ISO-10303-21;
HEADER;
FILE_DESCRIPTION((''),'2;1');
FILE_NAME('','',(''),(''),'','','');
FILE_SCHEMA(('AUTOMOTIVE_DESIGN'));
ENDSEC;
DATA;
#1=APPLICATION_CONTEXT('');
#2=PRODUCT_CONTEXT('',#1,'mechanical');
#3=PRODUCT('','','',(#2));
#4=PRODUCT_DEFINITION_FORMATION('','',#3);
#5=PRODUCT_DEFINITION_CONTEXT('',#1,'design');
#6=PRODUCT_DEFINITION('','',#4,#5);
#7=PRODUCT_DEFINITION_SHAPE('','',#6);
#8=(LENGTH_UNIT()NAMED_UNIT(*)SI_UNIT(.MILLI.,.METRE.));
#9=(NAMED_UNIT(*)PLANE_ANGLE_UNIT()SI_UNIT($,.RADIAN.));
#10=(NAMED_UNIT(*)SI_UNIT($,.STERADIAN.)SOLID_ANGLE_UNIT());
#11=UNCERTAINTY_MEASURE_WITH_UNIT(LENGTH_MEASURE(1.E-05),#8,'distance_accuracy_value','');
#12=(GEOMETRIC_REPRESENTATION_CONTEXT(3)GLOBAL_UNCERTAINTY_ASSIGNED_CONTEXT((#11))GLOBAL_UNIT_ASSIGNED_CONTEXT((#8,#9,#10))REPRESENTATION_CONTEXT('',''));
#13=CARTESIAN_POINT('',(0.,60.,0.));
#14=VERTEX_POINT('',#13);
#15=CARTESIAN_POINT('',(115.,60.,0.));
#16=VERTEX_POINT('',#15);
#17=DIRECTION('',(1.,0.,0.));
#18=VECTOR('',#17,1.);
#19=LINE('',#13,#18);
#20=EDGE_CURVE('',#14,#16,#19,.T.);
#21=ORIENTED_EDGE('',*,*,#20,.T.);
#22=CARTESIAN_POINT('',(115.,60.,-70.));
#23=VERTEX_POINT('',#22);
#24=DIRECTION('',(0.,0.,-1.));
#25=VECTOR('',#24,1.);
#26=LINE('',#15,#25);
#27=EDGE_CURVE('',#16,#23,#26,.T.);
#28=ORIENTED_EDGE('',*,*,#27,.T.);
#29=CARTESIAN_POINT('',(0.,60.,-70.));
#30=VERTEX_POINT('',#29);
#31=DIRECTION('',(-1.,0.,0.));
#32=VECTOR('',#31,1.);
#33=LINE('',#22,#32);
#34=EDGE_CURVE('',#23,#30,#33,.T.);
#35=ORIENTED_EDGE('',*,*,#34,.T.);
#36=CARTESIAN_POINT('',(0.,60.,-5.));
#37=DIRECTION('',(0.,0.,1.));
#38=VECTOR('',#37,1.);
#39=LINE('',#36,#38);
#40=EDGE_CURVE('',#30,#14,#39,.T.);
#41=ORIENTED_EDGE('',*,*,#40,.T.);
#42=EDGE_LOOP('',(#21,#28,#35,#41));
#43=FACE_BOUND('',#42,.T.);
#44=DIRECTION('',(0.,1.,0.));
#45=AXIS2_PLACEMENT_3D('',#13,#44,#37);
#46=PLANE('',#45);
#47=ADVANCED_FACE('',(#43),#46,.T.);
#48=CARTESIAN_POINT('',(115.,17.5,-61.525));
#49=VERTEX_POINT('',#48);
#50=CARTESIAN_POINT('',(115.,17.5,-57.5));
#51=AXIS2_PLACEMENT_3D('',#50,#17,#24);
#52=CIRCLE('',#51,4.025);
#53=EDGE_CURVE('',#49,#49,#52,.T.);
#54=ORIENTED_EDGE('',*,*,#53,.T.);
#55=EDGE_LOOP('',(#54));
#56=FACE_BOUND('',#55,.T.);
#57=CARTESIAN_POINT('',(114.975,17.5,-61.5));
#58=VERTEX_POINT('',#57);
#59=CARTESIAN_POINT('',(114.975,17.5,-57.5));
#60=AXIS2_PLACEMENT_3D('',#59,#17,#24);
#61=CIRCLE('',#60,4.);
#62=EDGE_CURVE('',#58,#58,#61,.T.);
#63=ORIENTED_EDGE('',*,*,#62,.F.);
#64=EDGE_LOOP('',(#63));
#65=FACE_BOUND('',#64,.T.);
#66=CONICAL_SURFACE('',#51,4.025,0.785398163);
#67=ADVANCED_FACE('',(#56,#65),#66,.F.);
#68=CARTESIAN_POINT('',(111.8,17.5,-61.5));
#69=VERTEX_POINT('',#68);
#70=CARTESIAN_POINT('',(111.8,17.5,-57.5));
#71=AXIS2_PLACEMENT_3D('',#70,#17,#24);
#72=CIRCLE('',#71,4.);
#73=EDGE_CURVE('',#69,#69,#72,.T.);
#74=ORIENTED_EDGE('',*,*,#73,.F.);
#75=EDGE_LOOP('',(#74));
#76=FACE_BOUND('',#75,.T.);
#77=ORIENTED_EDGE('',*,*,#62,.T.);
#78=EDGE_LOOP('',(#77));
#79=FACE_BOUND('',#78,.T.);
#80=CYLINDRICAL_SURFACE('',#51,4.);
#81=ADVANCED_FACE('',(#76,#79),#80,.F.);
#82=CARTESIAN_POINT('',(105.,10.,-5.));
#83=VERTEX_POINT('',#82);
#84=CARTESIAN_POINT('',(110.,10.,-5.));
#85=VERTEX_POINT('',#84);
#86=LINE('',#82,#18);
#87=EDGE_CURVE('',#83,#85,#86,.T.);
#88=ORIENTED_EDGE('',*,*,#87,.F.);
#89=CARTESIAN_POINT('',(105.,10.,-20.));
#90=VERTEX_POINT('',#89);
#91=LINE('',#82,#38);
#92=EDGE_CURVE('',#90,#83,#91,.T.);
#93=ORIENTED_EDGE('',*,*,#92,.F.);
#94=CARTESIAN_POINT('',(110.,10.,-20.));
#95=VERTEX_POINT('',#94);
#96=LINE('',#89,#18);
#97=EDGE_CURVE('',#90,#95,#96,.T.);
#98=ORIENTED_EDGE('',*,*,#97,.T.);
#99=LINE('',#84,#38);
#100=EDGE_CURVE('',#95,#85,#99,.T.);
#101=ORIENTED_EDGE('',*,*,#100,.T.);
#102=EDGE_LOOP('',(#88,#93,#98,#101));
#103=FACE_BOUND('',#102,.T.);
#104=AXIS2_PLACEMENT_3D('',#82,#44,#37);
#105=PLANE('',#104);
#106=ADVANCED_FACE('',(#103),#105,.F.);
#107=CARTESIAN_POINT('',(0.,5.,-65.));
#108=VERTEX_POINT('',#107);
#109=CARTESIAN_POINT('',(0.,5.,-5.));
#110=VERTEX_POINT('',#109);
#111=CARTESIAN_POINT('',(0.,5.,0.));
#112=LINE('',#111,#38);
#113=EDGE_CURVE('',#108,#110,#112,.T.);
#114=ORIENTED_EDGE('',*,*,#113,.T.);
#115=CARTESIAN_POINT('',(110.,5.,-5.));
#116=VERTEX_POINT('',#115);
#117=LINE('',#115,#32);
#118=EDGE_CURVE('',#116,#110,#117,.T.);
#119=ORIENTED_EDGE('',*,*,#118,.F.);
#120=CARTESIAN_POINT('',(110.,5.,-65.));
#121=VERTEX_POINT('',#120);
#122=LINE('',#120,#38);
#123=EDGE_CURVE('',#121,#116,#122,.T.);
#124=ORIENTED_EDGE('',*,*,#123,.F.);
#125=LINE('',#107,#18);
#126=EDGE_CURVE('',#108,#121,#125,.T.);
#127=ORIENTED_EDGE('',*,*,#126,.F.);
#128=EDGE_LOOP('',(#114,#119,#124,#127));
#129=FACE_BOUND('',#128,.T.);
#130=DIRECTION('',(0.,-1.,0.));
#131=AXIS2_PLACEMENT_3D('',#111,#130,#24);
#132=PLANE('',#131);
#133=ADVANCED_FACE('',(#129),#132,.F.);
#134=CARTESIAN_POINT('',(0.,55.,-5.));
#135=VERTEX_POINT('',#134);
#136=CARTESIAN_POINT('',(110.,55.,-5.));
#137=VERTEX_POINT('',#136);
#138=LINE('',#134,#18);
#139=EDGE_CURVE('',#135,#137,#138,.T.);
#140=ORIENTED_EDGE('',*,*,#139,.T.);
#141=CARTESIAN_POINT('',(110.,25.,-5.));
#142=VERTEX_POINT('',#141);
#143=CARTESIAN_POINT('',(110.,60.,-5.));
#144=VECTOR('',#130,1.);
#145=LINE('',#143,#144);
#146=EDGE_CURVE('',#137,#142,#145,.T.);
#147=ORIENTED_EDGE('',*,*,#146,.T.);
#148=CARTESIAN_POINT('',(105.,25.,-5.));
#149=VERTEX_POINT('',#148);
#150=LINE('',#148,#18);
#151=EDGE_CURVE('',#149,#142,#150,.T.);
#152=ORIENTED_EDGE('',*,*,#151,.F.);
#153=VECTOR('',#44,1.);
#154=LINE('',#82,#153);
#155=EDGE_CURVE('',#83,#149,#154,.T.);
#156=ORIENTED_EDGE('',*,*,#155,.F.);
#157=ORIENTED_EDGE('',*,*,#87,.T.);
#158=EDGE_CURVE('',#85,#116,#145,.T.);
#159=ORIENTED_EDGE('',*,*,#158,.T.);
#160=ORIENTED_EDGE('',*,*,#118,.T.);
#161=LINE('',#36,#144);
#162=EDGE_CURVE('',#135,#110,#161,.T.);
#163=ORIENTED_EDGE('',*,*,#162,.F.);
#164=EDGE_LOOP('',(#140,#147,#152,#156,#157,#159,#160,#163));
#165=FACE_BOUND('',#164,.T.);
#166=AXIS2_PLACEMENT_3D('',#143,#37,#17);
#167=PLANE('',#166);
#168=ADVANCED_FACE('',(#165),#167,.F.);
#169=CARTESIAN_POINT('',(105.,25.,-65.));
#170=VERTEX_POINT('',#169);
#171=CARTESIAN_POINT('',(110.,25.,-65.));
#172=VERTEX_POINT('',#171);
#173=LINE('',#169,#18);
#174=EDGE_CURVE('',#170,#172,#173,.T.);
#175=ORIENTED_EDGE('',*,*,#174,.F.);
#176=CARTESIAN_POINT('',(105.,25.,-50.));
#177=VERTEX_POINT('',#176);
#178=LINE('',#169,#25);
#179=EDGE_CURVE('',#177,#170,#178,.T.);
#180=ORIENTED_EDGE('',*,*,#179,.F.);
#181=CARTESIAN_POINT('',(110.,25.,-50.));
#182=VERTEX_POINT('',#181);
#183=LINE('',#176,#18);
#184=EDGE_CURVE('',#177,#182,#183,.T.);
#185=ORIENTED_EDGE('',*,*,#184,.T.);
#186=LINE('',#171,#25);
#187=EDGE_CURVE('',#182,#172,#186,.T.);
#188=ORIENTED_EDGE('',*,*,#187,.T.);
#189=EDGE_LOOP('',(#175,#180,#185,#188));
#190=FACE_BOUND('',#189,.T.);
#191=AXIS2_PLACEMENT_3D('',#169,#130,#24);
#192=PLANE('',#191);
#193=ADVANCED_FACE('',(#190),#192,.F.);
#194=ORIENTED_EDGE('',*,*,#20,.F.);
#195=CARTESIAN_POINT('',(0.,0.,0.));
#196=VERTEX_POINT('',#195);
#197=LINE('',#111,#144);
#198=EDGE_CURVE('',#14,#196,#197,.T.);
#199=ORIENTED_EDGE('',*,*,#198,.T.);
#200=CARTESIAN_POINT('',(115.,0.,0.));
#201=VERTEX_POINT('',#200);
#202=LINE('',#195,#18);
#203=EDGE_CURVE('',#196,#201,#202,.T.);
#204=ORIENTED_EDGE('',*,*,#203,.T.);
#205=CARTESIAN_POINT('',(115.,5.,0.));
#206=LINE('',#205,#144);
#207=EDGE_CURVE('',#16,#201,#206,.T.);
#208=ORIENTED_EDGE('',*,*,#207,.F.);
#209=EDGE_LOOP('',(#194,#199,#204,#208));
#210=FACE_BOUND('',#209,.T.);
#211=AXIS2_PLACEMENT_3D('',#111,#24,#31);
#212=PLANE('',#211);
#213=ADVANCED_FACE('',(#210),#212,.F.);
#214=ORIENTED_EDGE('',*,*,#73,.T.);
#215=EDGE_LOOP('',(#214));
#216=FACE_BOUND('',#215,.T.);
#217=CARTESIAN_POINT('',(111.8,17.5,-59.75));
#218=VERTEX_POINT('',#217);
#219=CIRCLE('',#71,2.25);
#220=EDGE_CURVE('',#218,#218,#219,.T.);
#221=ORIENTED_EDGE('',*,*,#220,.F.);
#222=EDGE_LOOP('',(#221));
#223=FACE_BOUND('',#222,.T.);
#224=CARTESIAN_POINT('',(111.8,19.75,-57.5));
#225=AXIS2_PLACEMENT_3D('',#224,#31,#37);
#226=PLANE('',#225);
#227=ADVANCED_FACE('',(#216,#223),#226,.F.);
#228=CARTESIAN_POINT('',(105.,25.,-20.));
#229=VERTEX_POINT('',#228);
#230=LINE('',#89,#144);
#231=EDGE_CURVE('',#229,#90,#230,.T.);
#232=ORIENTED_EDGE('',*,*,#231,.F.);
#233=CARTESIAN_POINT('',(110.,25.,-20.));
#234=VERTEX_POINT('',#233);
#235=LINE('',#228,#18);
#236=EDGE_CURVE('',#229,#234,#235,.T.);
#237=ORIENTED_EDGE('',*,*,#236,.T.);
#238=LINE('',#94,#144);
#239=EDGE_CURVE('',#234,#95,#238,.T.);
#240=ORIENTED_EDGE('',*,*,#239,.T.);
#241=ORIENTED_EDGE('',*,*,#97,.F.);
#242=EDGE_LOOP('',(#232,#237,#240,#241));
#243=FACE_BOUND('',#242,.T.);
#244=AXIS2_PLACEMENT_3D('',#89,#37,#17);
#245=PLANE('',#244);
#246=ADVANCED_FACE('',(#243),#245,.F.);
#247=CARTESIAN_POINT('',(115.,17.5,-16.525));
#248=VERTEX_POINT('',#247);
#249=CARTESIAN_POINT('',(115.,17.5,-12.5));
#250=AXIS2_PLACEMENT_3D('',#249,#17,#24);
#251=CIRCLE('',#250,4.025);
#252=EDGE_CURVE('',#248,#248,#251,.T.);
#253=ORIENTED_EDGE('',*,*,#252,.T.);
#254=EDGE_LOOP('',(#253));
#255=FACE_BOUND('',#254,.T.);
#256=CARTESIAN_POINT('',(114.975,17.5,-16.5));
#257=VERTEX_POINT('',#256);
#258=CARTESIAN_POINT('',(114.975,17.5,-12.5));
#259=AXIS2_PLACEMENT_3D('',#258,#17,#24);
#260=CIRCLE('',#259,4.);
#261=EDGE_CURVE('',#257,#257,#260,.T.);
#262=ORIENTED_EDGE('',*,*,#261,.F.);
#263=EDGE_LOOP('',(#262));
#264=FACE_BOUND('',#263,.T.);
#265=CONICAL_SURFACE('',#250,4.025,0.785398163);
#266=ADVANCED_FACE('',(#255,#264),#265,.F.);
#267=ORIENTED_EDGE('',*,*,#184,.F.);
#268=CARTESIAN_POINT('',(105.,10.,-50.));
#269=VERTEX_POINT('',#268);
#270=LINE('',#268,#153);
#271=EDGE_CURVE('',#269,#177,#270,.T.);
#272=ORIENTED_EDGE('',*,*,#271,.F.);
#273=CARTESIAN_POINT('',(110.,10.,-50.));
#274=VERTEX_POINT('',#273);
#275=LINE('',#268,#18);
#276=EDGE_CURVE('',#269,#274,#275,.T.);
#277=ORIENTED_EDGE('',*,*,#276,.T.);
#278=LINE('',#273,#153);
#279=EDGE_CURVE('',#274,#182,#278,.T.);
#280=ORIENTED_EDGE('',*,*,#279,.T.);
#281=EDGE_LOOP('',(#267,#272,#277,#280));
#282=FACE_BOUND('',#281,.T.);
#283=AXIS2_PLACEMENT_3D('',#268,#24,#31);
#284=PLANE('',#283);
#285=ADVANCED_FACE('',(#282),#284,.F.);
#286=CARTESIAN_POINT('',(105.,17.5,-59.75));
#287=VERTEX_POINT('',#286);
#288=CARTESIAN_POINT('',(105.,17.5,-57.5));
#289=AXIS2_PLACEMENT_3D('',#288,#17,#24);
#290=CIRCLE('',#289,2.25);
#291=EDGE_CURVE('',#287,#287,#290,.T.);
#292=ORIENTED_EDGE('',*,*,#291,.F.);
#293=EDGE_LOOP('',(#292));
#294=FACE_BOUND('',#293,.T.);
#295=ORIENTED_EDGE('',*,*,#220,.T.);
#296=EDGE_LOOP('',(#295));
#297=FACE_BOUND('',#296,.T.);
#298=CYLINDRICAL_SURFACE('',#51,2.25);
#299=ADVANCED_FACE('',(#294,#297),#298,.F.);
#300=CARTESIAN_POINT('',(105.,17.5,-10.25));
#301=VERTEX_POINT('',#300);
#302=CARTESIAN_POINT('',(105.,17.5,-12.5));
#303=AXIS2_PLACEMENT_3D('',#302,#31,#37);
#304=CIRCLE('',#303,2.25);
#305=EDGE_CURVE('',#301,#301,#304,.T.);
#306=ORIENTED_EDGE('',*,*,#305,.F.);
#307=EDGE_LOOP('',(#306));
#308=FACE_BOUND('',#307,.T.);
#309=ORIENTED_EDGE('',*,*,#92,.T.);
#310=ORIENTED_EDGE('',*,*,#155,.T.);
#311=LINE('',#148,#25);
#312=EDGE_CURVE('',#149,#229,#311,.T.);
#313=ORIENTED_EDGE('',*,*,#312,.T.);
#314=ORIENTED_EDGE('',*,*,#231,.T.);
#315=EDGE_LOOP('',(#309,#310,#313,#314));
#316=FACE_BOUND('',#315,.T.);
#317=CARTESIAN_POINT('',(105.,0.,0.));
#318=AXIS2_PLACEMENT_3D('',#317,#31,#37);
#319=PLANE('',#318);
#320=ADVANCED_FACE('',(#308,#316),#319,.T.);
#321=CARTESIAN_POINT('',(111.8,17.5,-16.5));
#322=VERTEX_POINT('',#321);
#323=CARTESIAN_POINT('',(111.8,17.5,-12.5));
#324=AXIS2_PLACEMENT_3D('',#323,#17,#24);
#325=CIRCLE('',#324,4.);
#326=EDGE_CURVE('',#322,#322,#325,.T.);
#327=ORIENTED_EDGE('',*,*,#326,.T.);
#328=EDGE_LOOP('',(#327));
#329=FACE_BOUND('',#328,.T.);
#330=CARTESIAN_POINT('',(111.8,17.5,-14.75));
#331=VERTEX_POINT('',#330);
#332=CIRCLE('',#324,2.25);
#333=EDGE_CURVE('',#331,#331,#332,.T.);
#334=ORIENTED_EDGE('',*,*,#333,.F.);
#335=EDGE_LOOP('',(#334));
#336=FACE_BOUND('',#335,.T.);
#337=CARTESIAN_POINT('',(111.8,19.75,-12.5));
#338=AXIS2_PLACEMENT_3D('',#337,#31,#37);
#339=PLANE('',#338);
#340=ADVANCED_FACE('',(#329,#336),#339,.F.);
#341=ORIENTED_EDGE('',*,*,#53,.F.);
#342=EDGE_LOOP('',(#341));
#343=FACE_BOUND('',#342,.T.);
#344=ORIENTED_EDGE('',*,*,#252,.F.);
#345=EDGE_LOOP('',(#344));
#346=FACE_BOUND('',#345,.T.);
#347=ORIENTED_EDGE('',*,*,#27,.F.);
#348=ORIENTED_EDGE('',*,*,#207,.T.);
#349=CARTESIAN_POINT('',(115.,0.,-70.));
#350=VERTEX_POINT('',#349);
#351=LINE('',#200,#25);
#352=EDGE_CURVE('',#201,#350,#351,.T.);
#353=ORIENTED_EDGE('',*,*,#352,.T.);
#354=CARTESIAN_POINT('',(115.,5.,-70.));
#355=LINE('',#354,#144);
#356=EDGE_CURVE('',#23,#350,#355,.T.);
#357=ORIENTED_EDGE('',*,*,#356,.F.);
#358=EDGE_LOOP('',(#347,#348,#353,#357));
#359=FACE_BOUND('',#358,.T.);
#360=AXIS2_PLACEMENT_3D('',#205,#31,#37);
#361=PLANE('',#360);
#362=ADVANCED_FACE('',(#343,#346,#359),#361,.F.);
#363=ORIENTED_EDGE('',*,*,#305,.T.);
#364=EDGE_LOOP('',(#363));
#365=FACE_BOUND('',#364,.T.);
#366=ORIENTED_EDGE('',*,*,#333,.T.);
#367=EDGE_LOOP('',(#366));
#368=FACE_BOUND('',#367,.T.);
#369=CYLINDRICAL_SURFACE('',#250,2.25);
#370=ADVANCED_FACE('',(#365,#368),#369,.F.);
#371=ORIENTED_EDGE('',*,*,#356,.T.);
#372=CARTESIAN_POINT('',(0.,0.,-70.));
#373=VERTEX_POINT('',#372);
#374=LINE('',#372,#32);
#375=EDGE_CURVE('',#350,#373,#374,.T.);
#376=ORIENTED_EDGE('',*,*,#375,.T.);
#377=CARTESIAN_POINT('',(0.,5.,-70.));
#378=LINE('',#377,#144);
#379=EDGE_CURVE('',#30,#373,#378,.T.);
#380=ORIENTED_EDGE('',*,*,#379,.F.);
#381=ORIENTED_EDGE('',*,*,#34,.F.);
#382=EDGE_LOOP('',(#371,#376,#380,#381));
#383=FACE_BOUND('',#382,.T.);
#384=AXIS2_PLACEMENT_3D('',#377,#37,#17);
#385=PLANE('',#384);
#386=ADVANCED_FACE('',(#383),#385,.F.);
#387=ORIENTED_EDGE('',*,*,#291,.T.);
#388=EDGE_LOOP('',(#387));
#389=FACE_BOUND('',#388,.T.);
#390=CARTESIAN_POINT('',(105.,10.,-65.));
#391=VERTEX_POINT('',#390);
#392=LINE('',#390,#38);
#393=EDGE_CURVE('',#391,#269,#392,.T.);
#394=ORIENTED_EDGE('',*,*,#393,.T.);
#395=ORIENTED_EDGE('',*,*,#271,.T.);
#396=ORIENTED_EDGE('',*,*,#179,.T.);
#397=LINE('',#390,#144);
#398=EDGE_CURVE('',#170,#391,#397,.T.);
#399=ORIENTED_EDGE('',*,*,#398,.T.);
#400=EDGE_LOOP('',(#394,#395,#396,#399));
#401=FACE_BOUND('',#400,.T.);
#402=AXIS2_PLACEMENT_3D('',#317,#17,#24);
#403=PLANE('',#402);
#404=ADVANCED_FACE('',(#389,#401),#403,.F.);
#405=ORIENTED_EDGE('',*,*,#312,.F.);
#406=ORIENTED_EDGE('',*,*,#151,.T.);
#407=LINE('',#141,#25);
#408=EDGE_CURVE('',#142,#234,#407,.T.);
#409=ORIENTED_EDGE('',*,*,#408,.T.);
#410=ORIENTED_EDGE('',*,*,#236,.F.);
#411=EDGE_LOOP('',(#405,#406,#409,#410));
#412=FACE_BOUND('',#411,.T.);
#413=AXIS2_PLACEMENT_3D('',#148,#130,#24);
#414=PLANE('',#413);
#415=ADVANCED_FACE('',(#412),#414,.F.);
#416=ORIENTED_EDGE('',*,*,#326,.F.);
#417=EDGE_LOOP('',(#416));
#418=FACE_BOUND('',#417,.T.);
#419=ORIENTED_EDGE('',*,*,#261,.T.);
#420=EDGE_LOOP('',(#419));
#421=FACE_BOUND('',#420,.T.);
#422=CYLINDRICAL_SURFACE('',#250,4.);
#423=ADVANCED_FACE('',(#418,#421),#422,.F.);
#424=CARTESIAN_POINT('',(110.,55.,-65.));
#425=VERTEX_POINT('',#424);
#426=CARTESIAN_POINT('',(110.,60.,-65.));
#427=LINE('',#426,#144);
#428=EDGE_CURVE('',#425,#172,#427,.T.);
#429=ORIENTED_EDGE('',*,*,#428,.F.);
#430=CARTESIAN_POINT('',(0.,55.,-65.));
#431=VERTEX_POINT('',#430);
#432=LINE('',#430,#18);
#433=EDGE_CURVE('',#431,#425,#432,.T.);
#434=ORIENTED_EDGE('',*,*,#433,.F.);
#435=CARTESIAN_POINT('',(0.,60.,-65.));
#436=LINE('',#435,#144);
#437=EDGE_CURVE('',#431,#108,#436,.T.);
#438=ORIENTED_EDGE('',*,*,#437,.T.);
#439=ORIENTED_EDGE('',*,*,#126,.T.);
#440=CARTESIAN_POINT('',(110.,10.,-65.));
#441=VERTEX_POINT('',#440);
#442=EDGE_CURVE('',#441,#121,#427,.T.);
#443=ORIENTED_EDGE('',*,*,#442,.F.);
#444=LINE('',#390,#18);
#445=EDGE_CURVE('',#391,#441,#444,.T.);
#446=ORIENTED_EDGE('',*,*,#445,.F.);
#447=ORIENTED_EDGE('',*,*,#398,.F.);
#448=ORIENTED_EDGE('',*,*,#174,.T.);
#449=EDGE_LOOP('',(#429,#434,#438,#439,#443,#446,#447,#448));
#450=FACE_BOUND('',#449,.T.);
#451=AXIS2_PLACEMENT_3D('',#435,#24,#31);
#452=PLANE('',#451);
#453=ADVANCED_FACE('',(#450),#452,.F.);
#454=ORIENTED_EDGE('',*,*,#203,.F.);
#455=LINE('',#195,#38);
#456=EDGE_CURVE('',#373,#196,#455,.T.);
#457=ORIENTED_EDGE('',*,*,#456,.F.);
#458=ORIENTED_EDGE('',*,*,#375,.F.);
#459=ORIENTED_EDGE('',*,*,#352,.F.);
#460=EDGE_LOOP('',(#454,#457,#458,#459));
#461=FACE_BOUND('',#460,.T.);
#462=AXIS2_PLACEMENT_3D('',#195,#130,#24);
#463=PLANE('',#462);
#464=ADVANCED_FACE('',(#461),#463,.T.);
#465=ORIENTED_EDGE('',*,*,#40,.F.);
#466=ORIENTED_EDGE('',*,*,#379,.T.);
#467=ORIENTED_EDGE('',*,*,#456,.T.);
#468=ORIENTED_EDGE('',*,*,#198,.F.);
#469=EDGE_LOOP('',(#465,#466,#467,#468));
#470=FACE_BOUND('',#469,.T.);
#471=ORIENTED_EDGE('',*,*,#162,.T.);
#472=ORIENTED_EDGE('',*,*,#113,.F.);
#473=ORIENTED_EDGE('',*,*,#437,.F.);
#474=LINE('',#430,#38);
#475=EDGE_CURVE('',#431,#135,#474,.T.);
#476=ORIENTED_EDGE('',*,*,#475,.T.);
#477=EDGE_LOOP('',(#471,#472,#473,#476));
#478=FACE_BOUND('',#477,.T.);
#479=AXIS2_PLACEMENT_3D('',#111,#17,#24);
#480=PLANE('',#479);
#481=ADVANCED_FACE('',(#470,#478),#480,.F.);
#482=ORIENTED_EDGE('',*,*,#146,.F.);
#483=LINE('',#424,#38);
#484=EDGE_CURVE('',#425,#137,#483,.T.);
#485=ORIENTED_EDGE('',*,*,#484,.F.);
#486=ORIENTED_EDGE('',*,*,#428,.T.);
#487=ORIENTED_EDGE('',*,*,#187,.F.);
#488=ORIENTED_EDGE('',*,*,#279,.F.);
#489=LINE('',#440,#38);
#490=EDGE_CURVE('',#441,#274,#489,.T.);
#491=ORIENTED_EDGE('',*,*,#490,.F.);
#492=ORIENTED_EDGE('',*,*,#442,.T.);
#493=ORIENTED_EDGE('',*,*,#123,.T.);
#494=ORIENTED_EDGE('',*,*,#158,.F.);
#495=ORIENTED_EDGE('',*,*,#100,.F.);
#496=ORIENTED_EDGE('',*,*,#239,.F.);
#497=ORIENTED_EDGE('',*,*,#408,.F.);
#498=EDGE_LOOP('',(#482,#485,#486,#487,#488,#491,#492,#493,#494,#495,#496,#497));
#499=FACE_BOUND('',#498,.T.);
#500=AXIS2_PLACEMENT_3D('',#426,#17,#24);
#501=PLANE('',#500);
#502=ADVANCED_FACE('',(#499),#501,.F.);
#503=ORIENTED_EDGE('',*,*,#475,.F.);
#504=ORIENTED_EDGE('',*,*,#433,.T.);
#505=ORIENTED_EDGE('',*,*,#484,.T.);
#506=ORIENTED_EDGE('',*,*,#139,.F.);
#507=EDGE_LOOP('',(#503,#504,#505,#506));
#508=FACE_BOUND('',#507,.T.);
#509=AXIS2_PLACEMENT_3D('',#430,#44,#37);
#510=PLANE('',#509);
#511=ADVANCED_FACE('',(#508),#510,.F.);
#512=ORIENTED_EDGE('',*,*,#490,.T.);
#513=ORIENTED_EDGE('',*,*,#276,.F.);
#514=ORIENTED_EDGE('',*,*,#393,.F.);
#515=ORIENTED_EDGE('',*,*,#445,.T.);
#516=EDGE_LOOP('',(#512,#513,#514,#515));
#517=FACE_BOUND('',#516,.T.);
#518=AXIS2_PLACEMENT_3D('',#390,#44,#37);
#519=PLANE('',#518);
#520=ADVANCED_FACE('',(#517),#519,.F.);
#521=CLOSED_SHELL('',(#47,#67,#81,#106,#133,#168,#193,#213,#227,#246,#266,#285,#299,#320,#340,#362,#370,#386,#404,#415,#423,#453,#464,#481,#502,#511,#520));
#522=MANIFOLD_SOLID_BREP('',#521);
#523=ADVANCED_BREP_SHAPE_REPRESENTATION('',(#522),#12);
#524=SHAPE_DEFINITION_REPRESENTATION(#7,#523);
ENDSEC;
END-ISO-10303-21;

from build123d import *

# Parameters (mm, degrees)
CROQUIS1_W                                  = 115
CROQUIS1_H                                  = 70
SALIENTE_EXTRUIR1_DEPTH                     = 5
SALIENTE_EXTRUIR2_DEPTH                     = 55
CROQUIS3_W                                  = 60
CROQUIS3_H                                  = 5
SALIENTE_EXTRUIR3_DEPTH                     = 110
CROQUIS4_W                                  = 15
CROQUIS4_H                                  = 15
SALIENTE_EXTRUIR4_DEPTH                     = 5
REFRENTADO_PARA_TORNILLO_CON_CABEZA_2_COUNT = 2
REFRENTADO_PARA_TORNILLO_CON_CABEZA_2_PITCH = 45


with BuildPart() as part:
    # Croquis1 → Saliente-Extruir1 (new body)
    with BuildSketch(Plane(origin=(0, 0, 0), x_dir=(1, 0, 0), z_dir=(0, 1, 0))):
        with Locations((57.5, 35)):
            Rectangle(CROQUIS1_W, CROQUIS1_H)
    extrude(amount=SALIENTE_EXTRUIR1_DEPTH)

    # Croquis2 → Saliente-Extruir2 (add)
    with BuildSketch(Plane(origin=(0, 5, 0), x_dir=(1, 0, 0), z_dir=(0, 1, 0))):
        Polygon((0, 0), (115, 0), (115, 70), (0, 70), (0, 65), (110, 65), (110, 5), (0, 5), align=None)
    extrude(amount=SALIENTE_EXTRUIR2_DEPTH)

    # Croquis3 → Saliente-Extruir3 (add)
    with BuildSketch(Plane.ZY.offset(-110)):
        with Locations((-35, 57.5)):
            Rectangle(CROQUIS3_W, CROQUIS3_H)
    extrude(amount=SALIENTE_EXTRUIR3_DEPTH)

    # Croquis4 → Saliente-Extruir4 (add)
    with BuildSketch(Plane.ZY.offset(-110)):
        with Locations((-57.5, 17.5)):
            Rectangle(CROQUIS4_W, CROQUIS4_H)
        with Locations((-12.5, 17.5)):
            Rectangle(CROQUIS4_W, CROQUIS4_H)
    extrude(amount=SALIENTE_EXTRUIR4_DEPTH)

    # Croquis7 → Refrentado para tornillo con cabeza hueca de M41 (revolve, cut)
    with BuildSketch(Plane(origin=(115, 17.5, -12.5), x_dir=(0, 0, -1), z_dir=(0, 1, 0))):
        Polygon((0, 0), (0, 21.851936393), (2.25, 20.5), (2.25, 3.2), (4, 3.2), (4, 0.025), (4.025, 0), align=None)
    refrentado_para_tornillo_con_cabeza_huec = revolve(axis=Axis((121.35, 17.5, -12.5), (-1, 0, 0)), mode=Mode.SUBTRACT)

    # Refrentado para tornillo con cabeza  2: Refrentado para tornillo con cabeza hueca de M41 ×2
    with Locations(*[(0, 0, -i * REFRENTADO_PARA_TORNILLO_CON_CABEZA_2_PITCH) for i in range(1, REFRENTADO_PARA_TORNILLO_CON_CABEZA_2_COUNT)]):
        add(refrentado_para_tornillo_con_cabeza_huec, mode=Mode.SUBTRACT)


solid = part.part
